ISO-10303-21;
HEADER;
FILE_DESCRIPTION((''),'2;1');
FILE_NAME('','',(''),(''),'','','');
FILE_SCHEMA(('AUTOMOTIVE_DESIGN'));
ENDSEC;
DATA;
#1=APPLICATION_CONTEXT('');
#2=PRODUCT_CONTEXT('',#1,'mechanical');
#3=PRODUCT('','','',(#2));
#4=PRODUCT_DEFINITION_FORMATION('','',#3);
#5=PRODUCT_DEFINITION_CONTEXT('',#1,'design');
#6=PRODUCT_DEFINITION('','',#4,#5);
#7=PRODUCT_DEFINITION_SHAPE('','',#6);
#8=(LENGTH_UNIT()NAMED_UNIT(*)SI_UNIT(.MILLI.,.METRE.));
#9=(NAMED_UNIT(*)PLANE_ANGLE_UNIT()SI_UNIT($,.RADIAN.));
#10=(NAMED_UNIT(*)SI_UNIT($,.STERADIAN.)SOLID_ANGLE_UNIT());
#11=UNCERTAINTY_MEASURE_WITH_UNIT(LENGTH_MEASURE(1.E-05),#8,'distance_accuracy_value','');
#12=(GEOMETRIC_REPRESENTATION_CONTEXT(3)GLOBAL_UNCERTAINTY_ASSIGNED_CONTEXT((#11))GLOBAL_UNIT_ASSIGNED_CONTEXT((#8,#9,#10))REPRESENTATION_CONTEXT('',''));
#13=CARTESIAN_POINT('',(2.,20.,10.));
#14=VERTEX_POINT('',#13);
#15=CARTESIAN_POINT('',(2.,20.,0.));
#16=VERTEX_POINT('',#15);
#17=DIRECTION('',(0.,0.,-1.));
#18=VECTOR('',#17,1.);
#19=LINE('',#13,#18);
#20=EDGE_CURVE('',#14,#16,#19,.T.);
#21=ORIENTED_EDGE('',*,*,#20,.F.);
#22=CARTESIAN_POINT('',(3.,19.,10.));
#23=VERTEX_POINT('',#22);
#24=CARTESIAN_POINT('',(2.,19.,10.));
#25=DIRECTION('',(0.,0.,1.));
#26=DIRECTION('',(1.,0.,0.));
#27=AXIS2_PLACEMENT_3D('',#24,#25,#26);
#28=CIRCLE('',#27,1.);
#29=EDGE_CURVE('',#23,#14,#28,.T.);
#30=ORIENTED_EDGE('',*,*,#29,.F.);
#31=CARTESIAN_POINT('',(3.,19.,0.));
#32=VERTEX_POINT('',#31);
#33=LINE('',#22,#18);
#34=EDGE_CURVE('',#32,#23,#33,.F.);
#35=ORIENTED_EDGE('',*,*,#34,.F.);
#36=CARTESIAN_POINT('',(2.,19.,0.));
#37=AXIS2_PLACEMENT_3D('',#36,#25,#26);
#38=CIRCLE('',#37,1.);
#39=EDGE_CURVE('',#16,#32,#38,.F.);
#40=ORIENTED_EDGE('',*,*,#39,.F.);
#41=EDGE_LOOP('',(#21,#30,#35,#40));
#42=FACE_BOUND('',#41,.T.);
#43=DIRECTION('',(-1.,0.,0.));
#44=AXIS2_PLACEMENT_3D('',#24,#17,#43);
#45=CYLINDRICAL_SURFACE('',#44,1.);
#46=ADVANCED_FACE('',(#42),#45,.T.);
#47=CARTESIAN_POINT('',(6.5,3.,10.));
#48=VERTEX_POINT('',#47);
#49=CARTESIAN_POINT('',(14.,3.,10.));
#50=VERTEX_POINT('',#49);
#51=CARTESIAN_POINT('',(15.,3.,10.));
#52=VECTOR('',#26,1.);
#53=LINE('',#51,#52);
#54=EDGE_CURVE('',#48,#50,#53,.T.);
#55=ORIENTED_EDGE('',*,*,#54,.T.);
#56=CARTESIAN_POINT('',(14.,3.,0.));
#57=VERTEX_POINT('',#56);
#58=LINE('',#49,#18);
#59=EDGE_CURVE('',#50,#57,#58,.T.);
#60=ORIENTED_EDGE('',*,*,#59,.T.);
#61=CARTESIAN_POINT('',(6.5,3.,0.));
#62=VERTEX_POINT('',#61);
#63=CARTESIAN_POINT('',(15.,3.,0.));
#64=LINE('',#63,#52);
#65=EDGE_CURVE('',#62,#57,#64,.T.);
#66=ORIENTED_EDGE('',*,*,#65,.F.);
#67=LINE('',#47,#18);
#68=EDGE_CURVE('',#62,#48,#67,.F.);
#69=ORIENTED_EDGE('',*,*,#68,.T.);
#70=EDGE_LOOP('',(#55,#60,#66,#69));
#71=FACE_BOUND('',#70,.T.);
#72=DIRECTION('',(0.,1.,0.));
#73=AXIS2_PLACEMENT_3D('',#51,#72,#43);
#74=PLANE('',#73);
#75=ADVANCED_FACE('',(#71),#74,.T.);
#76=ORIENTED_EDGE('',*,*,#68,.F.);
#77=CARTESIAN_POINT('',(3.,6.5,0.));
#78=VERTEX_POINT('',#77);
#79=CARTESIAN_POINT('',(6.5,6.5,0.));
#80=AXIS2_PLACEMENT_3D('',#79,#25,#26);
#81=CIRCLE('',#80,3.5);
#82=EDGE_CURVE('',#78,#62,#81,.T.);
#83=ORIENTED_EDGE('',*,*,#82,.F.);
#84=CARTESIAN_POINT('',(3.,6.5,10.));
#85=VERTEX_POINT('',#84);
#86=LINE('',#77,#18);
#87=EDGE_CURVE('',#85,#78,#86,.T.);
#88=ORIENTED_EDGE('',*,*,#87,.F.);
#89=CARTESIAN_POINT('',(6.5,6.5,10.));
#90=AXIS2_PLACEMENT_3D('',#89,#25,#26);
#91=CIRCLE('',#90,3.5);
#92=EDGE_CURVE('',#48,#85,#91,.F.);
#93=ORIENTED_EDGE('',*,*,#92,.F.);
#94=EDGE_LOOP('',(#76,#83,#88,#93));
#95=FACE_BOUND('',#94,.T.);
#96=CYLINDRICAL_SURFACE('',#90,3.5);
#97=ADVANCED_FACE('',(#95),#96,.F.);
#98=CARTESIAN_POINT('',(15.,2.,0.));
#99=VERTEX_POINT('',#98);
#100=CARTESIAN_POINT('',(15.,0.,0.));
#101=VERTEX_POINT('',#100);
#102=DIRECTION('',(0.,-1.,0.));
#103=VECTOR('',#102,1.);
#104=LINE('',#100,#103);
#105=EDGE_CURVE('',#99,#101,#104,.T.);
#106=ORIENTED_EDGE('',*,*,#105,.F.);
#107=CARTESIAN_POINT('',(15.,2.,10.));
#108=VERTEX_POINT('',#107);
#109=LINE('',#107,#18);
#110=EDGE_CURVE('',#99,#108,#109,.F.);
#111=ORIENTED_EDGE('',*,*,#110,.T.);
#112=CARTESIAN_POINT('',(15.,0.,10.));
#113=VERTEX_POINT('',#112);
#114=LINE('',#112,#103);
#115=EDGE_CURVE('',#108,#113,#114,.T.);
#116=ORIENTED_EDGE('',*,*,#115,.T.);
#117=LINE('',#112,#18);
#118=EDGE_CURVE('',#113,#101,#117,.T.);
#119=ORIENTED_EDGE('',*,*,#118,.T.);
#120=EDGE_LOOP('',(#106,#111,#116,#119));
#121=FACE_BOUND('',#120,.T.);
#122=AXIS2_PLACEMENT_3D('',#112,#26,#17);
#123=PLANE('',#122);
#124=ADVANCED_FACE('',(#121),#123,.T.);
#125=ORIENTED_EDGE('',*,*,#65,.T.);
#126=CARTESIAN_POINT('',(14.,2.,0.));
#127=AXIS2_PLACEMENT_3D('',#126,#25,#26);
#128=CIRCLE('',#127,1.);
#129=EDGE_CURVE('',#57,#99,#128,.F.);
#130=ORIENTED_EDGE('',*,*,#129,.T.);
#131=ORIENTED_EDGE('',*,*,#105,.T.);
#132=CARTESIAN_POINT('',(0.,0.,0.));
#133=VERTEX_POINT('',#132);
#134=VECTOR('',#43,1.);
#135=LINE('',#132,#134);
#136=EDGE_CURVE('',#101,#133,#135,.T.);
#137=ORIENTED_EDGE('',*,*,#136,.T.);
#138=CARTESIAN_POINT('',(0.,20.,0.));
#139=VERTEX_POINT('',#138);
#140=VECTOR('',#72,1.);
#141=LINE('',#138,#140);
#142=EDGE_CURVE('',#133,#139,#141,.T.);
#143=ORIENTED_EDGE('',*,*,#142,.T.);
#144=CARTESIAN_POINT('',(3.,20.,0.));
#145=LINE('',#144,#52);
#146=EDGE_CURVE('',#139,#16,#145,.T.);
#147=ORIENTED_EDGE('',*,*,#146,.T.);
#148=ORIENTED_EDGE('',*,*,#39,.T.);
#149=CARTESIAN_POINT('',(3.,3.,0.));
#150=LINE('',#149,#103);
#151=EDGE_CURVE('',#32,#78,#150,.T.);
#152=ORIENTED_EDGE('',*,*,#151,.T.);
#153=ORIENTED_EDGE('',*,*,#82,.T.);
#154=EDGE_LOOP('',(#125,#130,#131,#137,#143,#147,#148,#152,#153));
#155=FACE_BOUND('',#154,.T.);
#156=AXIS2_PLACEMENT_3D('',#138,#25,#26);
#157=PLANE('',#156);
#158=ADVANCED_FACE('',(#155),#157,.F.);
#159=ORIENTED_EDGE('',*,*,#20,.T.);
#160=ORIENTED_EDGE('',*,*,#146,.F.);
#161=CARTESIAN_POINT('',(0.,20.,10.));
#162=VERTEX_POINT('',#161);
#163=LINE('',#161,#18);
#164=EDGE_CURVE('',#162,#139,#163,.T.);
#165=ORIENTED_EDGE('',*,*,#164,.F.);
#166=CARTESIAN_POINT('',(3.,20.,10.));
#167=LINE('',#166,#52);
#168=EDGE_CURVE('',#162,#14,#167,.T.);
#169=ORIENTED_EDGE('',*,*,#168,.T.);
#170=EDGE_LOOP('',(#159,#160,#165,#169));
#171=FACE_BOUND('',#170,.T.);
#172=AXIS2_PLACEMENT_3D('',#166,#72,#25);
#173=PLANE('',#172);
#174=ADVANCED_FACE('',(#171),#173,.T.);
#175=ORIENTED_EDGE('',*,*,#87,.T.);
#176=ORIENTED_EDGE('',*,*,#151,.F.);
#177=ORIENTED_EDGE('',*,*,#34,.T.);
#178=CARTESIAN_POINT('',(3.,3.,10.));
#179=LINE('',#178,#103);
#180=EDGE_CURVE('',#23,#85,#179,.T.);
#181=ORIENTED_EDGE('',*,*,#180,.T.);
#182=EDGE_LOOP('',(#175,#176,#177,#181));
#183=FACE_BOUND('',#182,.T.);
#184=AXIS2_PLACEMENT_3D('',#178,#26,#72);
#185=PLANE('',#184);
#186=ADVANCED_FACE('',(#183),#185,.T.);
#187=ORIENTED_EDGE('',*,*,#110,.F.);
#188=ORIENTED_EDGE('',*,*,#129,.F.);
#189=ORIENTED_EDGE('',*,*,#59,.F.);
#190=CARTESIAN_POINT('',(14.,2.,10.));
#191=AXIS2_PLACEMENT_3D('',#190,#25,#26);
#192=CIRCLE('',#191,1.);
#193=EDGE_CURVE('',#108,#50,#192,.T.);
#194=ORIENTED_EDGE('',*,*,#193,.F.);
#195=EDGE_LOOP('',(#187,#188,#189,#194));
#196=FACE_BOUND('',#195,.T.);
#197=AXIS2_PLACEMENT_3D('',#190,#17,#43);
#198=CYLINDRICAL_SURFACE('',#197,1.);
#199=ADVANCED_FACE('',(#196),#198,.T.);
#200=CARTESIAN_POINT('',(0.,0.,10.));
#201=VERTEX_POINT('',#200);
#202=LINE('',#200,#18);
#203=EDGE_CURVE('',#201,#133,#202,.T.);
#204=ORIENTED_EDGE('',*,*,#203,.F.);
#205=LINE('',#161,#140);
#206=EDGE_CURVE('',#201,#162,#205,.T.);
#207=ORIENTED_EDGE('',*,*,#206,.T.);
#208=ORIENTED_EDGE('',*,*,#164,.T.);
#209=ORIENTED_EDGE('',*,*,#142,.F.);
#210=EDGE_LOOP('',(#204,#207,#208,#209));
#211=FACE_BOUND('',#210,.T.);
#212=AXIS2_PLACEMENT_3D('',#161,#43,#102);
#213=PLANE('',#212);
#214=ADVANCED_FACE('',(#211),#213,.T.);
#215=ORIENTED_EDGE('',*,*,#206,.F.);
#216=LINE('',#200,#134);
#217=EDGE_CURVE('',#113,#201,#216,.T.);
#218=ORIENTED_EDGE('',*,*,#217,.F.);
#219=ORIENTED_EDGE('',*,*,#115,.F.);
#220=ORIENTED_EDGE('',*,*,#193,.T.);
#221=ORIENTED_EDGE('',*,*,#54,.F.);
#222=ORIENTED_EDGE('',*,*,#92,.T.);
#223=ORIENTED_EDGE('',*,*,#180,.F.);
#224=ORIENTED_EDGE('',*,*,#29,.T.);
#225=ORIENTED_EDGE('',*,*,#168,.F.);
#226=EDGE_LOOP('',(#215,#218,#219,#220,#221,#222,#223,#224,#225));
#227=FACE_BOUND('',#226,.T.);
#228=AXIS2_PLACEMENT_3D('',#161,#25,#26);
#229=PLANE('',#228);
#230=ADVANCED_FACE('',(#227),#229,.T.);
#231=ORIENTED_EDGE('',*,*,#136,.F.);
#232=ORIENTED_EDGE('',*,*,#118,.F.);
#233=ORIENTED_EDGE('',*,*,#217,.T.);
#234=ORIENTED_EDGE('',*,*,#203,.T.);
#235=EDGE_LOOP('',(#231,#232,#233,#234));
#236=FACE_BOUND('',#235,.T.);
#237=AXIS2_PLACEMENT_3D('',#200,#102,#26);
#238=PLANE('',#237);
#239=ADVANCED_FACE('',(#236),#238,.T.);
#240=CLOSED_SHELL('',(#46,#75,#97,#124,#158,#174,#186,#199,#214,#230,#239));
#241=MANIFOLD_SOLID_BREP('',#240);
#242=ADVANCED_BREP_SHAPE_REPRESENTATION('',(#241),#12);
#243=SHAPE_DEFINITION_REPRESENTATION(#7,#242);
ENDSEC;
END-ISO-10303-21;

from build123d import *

# Parameters (mm, degrees)
EXTRUDE_1_DEPTH = 10
FILLET_1_R      = 1
FILLET_2_R      = 3.5


with BuildPart() as part:
    # 草图1 → 凸台-拉伸1 (new body)
    with BuildSketch(Plane(origin=(0, 0, 0), x_dir=(-1, 0, 0), z_dir=(0, 0, -1))):
        Polygon((0, 20), (0, 0), (-15, 0), (-15, 3), (-3, 3), (-3, 20), align=None)
    extrude(amount=-EXTRUDE_1_DEPTH)

    # 圆角1
    fillet_1_edges = [part.edges().sort_by_distance(p)[0] for p in [
        (15, 3, 5),
        (3, 20, 5),
    ]]
    fillet(fillet_1_edges, radius=FILLET_1_R)

    # 圆角2
    fillet_2_edges = [part.edges().sort_by_distance(p)[0] for p in [
        (3, 3, 5),
    ]]
    fillet(fillet_2_edges, radius=FILLET_2_R)


solid = part.part
